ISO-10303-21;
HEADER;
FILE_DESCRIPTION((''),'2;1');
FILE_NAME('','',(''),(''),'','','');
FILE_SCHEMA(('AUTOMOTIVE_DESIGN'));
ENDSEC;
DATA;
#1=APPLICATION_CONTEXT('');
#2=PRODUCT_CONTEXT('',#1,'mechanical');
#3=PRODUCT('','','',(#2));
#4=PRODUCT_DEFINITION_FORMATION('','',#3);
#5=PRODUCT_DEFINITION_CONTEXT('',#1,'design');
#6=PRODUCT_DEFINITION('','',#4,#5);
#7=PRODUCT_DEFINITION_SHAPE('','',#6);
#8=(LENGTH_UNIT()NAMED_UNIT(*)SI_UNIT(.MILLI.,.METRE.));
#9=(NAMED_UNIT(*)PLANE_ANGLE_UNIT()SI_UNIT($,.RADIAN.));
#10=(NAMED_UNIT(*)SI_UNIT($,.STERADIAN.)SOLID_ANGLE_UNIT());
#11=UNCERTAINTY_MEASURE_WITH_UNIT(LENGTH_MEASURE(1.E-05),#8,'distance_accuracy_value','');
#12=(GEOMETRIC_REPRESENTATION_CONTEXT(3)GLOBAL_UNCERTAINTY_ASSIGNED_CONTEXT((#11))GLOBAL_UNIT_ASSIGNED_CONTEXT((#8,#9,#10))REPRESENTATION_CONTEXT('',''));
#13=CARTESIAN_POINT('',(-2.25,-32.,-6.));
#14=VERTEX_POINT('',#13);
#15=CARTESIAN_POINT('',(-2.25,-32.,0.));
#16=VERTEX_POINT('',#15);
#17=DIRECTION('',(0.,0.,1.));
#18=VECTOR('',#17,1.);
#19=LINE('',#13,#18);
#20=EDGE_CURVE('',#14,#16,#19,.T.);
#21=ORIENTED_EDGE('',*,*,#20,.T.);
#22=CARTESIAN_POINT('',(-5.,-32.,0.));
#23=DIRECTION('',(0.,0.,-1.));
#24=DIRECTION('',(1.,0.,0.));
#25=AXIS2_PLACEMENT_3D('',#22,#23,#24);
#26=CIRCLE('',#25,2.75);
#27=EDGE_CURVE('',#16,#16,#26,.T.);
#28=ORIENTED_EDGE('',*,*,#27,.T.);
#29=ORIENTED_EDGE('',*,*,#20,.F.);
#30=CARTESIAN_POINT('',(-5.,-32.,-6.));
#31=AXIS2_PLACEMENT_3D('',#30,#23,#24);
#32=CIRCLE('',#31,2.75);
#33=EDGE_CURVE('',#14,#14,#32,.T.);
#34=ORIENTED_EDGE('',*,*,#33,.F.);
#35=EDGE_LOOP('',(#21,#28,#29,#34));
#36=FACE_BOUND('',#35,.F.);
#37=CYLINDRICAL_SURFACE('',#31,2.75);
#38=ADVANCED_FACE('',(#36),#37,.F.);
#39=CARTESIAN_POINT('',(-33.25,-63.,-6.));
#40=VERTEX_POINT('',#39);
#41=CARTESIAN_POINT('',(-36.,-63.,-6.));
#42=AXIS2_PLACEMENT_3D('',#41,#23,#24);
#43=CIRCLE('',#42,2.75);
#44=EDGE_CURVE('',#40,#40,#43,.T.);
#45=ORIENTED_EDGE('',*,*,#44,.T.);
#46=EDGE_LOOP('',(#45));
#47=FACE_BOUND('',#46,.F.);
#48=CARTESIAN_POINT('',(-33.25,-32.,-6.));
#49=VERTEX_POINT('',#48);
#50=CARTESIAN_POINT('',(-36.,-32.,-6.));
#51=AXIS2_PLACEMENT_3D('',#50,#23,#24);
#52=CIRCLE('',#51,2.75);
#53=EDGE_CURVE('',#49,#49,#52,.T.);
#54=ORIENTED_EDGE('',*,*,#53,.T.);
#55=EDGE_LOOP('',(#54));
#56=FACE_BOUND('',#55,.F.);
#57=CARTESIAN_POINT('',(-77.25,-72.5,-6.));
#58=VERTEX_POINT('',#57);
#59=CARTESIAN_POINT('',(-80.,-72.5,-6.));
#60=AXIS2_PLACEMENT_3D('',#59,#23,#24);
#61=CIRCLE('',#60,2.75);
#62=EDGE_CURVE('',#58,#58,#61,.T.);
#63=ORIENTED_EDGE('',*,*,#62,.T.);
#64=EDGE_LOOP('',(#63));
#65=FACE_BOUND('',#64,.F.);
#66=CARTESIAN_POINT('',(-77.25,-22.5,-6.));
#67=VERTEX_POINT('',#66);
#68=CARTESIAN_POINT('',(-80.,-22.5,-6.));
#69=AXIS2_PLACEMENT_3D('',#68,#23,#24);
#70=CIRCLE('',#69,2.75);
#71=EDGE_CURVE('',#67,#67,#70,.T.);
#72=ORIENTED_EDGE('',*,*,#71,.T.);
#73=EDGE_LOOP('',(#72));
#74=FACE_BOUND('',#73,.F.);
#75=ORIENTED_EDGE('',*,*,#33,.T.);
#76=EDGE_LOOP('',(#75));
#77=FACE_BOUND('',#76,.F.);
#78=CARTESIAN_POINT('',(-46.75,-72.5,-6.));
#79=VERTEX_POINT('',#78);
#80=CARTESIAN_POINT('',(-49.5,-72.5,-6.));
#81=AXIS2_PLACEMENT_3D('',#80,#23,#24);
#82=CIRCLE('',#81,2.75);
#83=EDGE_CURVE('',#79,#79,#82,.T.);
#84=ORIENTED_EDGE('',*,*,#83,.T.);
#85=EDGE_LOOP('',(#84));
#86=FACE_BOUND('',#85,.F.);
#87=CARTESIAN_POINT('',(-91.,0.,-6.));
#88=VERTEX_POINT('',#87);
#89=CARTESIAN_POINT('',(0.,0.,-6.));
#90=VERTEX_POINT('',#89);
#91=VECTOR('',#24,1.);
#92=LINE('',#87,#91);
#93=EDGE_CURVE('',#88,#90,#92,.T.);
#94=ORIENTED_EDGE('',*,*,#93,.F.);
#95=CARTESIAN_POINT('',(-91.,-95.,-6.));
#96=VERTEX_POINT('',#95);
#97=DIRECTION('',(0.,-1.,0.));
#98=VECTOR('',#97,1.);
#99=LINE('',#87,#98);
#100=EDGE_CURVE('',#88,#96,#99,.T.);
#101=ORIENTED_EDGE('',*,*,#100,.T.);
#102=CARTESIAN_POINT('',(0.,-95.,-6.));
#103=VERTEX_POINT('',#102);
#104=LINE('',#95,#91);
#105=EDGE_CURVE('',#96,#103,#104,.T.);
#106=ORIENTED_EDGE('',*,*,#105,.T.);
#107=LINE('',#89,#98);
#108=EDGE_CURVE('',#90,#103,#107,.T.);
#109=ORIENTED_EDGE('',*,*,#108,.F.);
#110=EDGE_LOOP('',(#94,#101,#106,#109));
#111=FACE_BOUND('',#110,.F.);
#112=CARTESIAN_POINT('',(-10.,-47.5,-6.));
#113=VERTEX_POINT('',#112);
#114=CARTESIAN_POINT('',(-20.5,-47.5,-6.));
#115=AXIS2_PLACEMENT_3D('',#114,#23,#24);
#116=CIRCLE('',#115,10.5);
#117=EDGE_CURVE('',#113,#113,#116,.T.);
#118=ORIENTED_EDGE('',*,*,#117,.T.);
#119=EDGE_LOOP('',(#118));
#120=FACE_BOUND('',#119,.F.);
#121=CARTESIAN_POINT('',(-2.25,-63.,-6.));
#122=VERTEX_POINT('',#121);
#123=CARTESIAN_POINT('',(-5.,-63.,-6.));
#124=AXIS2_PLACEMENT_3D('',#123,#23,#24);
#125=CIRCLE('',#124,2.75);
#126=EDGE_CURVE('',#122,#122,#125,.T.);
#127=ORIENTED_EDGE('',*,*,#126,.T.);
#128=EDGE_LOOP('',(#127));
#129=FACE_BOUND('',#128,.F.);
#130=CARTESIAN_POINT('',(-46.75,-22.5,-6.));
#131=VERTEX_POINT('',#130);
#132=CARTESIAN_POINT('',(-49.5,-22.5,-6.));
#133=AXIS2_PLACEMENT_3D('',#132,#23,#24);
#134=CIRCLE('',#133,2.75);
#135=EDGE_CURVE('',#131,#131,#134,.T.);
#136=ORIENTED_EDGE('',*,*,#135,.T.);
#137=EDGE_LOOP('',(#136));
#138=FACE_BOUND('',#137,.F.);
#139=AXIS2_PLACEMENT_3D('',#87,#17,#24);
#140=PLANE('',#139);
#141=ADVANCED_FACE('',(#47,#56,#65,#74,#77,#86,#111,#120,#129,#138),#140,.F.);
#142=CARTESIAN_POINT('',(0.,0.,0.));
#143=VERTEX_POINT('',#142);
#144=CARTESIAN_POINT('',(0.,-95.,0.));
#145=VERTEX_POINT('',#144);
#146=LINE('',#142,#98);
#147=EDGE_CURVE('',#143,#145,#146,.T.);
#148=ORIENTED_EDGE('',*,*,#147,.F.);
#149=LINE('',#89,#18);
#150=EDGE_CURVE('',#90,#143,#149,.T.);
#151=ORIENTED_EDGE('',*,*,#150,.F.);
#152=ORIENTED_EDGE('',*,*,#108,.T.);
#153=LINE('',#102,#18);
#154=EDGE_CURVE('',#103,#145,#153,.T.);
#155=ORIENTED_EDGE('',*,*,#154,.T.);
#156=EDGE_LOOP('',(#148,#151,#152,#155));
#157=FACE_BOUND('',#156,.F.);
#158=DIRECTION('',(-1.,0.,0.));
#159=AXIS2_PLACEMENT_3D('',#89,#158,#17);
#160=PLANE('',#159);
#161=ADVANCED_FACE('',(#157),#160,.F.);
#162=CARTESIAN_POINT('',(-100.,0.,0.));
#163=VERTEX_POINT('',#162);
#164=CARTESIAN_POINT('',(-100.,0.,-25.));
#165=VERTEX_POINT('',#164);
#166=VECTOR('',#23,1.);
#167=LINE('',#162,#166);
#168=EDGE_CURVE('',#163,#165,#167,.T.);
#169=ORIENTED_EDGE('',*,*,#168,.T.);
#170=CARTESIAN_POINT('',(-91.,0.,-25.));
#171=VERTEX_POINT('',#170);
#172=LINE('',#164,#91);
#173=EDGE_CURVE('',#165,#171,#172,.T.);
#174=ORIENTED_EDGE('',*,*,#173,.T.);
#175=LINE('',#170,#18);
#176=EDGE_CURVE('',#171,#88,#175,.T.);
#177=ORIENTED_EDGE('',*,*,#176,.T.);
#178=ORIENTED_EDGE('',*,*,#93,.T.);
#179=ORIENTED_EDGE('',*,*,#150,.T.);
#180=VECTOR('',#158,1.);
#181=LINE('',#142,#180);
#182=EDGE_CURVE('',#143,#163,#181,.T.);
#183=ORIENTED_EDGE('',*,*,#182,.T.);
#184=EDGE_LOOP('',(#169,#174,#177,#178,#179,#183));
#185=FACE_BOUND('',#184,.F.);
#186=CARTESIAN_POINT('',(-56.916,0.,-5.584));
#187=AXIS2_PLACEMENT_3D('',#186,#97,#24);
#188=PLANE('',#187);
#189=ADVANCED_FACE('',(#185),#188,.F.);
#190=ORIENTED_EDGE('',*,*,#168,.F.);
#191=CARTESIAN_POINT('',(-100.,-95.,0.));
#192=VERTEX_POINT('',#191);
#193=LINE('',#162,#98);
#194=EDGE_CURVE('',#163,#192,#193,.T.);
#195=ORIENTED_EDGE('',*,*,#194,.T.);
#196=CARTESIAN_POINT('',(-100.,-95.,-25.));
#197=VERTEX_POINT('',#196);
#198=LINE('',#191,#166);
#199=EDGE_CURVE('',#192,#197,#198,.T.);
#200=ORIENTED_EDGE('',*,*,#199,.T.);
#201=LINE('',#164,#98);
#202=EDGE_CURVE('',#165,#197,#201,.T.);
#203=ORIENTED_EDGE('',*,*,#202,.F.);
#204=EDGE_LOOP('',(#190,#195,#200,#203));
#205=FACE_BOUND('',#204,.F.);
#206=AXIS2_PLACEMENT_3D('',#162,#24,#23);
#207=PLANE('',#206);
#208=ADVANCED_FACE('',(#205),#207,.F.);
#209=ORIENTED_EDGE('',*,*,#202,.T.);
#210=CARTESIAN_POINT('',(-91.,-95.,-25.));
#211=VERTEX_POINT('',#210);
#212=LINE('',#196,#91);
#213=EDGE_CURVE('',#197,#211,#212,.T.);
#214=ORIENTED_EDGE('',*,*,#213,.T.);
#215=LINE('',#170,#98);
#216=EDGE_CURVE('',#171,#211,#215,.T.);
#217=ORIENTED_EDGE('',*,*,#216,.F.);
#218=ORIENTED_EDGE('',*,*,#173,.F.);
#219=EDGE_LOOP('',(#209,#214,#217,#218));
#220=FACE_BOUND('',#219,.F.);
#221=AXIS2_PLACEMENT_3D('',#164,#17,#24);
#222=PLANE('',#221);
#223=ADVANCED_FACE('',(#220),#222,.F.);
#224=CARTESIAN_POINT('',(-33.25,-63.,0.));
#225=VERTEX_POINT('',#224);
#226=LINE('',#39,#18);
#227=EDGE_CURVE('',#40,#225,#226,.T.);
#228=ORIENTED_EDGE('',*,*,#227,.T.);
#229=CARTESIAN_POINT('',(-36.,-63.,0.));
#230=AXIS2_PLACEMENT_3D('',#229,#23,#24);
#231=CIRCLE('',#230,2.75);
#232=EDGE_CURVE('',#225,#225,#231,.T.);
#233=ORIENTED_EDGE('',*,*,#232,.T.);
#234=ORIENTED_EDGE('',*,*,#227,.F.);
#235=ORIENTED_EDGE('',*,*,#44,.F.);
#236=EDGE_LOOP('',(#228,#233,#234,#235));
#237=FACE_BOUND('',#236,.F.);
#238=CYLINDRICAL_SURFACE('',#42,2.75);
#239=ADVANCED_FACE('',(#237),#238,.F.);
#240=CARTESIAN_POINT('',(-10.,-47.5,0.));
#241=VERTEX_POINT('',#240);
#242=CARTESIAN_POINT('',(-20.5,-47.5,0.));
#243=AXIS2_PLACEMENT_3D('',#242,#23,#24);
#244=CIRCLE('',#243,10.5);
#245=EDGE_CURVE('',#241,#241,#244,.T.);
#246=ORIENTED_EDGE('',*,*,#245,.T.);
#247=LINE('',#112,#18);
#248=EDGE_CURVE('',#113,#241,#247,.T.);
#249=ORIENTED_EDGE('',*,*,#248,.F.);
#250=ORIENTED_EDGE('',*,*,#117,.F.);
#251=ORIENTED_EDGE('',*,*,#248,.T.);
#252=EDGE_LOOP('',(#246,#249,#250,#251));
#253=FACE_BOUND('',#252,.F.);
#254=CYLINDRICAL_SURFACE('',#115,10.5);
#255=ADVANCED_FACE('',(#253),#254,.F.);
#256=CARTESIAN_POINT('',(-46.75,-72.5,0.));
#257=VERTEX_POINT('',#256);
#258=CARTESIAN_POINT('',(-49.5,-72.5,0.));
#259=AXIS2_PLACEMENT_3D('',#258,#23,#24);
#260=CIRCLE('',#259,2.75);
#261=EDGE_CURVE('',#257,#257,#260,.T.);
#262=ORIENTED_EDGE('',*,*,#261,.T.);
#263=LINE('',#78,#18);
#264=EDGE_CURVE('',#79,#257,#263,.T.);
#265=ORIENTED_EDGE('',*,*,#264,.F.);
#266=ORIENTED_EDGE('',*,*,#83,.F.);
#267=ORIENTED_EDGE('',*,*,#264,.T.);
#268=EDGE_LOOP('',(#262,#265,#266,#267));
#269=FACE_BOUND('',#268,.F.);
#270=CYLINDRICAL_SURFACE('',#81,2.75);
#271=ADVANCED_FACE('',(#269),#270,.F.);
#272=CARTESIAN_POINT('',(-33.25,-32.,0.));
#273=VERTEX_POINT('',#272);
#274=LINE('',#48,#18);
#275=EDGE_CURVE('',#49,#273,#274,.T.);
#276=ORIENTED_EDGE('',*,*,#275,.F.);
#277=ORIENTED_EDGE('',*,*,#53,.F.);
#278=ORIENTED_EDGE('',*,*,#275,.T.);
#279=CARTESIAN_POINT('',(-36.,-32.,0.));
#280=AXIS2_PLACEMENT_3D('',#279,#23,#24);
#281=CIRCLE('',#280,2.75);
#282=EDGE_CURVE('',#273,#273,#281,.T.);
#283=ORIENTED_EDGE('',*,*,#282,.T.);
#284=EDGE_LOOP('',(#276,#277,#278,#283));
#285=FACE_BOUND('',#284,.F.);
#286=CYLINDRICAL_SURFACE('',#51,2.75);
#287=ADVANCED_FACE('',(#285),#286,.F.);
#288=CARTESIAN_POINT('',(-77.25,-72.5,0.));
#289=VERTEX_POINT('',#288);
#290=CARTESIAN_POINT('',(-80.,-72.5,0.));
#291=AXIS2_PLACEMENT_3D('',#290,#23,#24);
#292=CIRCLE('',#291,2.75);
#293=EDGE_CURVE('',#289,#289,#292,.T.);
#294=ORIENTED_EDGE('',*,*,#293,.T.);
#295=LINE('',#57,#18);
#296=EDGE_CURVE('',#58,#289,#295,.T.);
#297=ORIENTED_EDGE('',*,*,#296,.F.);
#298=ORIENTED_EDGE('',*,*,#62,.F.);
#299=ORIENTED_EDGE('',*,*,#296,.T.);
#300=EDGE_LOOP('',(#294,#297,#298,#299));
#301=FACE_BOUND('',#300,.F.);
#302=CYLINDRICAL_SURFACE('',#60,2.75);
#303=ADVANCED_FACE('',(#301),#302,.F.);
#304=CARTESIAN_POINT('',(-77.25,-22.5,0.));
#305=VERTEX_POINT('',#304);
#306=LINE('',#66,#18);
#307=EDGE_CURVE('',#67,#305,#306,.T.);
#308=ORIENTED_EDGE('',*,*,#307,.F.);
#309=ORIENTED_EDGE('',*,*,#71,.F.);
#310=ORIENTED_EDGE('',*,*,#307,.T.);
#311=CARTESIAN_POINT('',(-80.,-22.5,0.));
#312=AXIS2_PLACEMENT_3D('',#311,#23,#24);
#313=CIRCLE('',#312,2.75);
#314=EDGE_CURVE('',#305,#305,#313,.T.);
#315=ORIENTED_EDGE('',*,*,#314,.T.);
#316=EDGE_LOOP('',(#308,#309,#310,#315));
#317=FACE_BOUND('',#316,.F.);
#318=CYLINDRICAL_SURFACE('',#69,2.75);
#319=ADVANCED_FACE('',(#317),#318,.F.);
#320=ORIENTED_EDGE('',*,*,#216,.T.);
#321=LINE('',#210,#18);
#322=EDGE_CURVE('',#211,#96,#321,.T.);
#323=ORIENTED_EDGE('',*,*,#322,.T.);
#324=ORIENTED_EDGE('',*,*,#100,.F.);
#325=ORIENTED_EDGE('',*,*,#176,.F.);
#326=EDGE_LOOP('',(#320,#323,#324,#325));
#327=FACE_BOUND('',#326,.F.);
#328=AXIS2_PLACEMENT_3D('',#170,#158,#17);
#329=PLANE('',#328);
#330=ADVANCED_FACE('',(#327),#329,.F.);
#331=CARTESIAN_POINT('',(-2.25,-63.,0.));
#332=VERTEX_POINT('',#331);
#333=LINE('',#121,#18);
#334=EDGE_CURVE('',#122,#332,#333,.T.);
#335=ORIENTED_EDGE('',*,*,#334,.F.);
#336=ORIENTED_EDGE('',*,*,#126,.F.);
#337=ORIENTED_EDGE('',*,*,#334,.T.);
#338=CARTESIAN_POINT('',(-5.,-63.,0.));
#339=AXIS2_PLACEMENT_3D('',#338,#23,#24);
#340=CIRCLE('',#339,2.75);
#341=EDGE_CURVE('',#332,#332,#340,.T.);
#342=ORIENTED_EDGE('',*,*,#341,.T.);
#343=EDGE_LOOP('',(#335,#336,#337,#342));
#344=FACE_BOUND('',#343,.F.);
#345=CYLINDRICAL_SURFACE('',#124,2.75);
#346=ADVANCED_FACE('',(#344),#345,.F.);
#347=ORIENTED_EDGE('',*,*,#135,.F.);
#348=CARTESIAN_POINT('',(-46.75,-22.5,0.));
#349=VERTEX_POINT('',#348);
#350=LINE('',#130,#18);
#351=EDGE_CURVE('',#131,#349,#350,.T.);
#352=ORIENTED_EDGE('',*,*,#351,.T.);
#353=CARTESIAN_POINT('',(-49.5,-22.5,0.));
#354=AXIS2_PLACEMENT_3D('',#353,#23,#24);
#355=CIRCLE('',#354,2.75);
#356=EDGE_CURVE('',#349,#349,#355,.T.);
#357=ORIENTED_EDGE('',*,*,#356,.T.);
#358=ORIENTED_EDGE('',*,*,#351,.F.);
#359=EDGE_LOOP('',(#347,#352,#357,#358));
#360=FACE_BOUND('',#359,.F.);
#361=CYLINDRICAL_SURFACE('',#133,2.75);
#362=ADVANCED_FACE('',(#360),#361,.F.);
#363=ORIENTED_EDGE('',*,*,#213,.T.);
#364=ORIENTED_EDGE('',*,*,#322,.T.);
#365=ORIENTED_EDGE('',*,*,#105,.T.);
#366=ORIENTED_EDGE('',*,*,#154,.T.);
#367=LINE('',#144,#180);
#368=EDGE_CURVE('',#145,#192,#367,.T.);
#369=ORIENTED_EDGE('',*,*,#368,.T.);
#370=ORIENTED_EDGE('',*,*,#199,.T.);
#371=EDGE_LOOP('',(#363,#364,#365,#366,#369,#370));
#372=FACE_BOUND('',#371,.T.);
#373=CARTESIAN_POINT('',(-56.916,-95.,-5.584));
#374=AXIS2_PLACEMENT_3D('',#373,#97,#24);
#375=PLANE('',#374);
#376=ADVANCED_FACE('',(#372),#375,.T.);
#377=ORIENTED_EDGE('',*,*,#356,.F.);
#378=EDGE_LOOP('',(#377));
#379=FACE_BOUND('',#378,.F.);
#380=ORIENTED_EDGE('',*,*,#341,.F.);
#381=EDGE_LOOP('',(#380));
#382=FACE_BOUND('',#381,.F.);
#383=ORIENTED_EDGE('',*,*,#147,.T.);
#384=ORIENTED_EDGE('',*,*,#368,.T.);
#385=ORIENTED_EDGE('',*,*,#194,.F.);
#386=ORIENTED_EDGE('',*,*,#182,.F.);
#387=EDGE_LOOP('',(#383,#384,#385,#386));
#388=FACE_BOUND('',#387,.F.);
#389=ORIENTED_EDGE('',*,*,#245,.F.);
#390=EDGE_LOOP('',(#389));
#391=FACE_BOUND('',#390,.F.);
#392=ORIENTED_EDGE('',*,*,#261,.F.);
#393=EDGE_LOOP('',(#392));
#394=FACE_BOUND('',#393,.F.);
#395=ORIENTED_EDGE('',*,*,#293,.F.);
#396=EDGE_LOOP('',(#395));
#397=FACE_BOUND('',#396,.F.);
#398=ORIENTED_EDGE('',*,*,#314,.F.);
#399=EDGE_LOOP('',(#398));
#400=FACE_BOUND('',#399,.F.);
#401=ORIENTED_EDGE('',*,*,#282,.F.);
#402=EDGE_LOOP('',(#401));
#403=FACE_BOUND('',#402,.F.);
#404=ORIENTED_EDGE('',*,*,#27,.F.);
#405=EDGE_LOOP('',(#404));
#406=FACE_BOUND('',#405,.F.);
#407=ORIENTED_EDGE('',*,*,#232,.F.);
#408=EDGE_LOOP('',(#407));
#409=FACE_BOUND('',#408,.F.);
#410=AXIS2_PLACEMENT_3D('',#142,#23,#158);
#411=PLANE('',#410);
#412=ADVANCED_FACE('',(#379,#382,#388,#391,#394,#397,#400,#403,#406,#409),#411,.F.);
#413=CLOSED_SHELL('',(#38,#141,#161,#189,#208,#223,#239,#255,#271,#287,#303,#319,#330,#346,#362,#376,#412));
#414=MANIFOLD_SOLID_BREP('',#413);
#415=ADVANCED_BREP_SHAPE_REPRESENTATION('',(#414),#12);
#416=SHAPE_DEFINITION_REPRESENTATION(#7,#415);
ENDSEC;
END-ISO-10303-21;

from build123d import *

# Parameters (mm, degrees)
F1_DEPTH = 95
F2_R     = 2.75
F2_R_2   = 10.5
F3_DEPTH = 6


with BuildPart() as f1:
    # F0 (on Front) → F1 (new body)
    with BuildSketch(Plane.XZ):
        Polygon((0, -6), (0, 0), (-100, 0), (-100, -25), (-91, -25), (-91, -6), align=None)
    extrude(amount=F1_DEPTH)

    # F2 (on face) → F3 (cut)
    with BuildSketch(Plane(origin=(0, 0, -6), x_dir=(1, 0, 0), z_dir=(0, 0, -1))):
        with Locations((-80, 72.5)):
            Circle(F2_R)
        with Locations((-49.5, 72.5)):
            Circle(F2_R)
        with Locations((-80, 22.5)):
            Circle(F2_R)
        with Locations((-49.5, 22.5)):
            Circle(F2_R)
        with Locations((-5, 32)):
            Circle(F2_R)
        with Locations((-5, 63)):
            Circle(F2_R)
        with Locations((-36, 32)):
            Circle(F2_R)
        with Locations((-36, 63)):
            Circle(F2_R)
        with Locations((-20.5, 47.5)):
            Circle(F2_R_2)
    extrude(amount=-F3_DEPTH, mode=Mode.SUBTRACT)


solid = f1.part
